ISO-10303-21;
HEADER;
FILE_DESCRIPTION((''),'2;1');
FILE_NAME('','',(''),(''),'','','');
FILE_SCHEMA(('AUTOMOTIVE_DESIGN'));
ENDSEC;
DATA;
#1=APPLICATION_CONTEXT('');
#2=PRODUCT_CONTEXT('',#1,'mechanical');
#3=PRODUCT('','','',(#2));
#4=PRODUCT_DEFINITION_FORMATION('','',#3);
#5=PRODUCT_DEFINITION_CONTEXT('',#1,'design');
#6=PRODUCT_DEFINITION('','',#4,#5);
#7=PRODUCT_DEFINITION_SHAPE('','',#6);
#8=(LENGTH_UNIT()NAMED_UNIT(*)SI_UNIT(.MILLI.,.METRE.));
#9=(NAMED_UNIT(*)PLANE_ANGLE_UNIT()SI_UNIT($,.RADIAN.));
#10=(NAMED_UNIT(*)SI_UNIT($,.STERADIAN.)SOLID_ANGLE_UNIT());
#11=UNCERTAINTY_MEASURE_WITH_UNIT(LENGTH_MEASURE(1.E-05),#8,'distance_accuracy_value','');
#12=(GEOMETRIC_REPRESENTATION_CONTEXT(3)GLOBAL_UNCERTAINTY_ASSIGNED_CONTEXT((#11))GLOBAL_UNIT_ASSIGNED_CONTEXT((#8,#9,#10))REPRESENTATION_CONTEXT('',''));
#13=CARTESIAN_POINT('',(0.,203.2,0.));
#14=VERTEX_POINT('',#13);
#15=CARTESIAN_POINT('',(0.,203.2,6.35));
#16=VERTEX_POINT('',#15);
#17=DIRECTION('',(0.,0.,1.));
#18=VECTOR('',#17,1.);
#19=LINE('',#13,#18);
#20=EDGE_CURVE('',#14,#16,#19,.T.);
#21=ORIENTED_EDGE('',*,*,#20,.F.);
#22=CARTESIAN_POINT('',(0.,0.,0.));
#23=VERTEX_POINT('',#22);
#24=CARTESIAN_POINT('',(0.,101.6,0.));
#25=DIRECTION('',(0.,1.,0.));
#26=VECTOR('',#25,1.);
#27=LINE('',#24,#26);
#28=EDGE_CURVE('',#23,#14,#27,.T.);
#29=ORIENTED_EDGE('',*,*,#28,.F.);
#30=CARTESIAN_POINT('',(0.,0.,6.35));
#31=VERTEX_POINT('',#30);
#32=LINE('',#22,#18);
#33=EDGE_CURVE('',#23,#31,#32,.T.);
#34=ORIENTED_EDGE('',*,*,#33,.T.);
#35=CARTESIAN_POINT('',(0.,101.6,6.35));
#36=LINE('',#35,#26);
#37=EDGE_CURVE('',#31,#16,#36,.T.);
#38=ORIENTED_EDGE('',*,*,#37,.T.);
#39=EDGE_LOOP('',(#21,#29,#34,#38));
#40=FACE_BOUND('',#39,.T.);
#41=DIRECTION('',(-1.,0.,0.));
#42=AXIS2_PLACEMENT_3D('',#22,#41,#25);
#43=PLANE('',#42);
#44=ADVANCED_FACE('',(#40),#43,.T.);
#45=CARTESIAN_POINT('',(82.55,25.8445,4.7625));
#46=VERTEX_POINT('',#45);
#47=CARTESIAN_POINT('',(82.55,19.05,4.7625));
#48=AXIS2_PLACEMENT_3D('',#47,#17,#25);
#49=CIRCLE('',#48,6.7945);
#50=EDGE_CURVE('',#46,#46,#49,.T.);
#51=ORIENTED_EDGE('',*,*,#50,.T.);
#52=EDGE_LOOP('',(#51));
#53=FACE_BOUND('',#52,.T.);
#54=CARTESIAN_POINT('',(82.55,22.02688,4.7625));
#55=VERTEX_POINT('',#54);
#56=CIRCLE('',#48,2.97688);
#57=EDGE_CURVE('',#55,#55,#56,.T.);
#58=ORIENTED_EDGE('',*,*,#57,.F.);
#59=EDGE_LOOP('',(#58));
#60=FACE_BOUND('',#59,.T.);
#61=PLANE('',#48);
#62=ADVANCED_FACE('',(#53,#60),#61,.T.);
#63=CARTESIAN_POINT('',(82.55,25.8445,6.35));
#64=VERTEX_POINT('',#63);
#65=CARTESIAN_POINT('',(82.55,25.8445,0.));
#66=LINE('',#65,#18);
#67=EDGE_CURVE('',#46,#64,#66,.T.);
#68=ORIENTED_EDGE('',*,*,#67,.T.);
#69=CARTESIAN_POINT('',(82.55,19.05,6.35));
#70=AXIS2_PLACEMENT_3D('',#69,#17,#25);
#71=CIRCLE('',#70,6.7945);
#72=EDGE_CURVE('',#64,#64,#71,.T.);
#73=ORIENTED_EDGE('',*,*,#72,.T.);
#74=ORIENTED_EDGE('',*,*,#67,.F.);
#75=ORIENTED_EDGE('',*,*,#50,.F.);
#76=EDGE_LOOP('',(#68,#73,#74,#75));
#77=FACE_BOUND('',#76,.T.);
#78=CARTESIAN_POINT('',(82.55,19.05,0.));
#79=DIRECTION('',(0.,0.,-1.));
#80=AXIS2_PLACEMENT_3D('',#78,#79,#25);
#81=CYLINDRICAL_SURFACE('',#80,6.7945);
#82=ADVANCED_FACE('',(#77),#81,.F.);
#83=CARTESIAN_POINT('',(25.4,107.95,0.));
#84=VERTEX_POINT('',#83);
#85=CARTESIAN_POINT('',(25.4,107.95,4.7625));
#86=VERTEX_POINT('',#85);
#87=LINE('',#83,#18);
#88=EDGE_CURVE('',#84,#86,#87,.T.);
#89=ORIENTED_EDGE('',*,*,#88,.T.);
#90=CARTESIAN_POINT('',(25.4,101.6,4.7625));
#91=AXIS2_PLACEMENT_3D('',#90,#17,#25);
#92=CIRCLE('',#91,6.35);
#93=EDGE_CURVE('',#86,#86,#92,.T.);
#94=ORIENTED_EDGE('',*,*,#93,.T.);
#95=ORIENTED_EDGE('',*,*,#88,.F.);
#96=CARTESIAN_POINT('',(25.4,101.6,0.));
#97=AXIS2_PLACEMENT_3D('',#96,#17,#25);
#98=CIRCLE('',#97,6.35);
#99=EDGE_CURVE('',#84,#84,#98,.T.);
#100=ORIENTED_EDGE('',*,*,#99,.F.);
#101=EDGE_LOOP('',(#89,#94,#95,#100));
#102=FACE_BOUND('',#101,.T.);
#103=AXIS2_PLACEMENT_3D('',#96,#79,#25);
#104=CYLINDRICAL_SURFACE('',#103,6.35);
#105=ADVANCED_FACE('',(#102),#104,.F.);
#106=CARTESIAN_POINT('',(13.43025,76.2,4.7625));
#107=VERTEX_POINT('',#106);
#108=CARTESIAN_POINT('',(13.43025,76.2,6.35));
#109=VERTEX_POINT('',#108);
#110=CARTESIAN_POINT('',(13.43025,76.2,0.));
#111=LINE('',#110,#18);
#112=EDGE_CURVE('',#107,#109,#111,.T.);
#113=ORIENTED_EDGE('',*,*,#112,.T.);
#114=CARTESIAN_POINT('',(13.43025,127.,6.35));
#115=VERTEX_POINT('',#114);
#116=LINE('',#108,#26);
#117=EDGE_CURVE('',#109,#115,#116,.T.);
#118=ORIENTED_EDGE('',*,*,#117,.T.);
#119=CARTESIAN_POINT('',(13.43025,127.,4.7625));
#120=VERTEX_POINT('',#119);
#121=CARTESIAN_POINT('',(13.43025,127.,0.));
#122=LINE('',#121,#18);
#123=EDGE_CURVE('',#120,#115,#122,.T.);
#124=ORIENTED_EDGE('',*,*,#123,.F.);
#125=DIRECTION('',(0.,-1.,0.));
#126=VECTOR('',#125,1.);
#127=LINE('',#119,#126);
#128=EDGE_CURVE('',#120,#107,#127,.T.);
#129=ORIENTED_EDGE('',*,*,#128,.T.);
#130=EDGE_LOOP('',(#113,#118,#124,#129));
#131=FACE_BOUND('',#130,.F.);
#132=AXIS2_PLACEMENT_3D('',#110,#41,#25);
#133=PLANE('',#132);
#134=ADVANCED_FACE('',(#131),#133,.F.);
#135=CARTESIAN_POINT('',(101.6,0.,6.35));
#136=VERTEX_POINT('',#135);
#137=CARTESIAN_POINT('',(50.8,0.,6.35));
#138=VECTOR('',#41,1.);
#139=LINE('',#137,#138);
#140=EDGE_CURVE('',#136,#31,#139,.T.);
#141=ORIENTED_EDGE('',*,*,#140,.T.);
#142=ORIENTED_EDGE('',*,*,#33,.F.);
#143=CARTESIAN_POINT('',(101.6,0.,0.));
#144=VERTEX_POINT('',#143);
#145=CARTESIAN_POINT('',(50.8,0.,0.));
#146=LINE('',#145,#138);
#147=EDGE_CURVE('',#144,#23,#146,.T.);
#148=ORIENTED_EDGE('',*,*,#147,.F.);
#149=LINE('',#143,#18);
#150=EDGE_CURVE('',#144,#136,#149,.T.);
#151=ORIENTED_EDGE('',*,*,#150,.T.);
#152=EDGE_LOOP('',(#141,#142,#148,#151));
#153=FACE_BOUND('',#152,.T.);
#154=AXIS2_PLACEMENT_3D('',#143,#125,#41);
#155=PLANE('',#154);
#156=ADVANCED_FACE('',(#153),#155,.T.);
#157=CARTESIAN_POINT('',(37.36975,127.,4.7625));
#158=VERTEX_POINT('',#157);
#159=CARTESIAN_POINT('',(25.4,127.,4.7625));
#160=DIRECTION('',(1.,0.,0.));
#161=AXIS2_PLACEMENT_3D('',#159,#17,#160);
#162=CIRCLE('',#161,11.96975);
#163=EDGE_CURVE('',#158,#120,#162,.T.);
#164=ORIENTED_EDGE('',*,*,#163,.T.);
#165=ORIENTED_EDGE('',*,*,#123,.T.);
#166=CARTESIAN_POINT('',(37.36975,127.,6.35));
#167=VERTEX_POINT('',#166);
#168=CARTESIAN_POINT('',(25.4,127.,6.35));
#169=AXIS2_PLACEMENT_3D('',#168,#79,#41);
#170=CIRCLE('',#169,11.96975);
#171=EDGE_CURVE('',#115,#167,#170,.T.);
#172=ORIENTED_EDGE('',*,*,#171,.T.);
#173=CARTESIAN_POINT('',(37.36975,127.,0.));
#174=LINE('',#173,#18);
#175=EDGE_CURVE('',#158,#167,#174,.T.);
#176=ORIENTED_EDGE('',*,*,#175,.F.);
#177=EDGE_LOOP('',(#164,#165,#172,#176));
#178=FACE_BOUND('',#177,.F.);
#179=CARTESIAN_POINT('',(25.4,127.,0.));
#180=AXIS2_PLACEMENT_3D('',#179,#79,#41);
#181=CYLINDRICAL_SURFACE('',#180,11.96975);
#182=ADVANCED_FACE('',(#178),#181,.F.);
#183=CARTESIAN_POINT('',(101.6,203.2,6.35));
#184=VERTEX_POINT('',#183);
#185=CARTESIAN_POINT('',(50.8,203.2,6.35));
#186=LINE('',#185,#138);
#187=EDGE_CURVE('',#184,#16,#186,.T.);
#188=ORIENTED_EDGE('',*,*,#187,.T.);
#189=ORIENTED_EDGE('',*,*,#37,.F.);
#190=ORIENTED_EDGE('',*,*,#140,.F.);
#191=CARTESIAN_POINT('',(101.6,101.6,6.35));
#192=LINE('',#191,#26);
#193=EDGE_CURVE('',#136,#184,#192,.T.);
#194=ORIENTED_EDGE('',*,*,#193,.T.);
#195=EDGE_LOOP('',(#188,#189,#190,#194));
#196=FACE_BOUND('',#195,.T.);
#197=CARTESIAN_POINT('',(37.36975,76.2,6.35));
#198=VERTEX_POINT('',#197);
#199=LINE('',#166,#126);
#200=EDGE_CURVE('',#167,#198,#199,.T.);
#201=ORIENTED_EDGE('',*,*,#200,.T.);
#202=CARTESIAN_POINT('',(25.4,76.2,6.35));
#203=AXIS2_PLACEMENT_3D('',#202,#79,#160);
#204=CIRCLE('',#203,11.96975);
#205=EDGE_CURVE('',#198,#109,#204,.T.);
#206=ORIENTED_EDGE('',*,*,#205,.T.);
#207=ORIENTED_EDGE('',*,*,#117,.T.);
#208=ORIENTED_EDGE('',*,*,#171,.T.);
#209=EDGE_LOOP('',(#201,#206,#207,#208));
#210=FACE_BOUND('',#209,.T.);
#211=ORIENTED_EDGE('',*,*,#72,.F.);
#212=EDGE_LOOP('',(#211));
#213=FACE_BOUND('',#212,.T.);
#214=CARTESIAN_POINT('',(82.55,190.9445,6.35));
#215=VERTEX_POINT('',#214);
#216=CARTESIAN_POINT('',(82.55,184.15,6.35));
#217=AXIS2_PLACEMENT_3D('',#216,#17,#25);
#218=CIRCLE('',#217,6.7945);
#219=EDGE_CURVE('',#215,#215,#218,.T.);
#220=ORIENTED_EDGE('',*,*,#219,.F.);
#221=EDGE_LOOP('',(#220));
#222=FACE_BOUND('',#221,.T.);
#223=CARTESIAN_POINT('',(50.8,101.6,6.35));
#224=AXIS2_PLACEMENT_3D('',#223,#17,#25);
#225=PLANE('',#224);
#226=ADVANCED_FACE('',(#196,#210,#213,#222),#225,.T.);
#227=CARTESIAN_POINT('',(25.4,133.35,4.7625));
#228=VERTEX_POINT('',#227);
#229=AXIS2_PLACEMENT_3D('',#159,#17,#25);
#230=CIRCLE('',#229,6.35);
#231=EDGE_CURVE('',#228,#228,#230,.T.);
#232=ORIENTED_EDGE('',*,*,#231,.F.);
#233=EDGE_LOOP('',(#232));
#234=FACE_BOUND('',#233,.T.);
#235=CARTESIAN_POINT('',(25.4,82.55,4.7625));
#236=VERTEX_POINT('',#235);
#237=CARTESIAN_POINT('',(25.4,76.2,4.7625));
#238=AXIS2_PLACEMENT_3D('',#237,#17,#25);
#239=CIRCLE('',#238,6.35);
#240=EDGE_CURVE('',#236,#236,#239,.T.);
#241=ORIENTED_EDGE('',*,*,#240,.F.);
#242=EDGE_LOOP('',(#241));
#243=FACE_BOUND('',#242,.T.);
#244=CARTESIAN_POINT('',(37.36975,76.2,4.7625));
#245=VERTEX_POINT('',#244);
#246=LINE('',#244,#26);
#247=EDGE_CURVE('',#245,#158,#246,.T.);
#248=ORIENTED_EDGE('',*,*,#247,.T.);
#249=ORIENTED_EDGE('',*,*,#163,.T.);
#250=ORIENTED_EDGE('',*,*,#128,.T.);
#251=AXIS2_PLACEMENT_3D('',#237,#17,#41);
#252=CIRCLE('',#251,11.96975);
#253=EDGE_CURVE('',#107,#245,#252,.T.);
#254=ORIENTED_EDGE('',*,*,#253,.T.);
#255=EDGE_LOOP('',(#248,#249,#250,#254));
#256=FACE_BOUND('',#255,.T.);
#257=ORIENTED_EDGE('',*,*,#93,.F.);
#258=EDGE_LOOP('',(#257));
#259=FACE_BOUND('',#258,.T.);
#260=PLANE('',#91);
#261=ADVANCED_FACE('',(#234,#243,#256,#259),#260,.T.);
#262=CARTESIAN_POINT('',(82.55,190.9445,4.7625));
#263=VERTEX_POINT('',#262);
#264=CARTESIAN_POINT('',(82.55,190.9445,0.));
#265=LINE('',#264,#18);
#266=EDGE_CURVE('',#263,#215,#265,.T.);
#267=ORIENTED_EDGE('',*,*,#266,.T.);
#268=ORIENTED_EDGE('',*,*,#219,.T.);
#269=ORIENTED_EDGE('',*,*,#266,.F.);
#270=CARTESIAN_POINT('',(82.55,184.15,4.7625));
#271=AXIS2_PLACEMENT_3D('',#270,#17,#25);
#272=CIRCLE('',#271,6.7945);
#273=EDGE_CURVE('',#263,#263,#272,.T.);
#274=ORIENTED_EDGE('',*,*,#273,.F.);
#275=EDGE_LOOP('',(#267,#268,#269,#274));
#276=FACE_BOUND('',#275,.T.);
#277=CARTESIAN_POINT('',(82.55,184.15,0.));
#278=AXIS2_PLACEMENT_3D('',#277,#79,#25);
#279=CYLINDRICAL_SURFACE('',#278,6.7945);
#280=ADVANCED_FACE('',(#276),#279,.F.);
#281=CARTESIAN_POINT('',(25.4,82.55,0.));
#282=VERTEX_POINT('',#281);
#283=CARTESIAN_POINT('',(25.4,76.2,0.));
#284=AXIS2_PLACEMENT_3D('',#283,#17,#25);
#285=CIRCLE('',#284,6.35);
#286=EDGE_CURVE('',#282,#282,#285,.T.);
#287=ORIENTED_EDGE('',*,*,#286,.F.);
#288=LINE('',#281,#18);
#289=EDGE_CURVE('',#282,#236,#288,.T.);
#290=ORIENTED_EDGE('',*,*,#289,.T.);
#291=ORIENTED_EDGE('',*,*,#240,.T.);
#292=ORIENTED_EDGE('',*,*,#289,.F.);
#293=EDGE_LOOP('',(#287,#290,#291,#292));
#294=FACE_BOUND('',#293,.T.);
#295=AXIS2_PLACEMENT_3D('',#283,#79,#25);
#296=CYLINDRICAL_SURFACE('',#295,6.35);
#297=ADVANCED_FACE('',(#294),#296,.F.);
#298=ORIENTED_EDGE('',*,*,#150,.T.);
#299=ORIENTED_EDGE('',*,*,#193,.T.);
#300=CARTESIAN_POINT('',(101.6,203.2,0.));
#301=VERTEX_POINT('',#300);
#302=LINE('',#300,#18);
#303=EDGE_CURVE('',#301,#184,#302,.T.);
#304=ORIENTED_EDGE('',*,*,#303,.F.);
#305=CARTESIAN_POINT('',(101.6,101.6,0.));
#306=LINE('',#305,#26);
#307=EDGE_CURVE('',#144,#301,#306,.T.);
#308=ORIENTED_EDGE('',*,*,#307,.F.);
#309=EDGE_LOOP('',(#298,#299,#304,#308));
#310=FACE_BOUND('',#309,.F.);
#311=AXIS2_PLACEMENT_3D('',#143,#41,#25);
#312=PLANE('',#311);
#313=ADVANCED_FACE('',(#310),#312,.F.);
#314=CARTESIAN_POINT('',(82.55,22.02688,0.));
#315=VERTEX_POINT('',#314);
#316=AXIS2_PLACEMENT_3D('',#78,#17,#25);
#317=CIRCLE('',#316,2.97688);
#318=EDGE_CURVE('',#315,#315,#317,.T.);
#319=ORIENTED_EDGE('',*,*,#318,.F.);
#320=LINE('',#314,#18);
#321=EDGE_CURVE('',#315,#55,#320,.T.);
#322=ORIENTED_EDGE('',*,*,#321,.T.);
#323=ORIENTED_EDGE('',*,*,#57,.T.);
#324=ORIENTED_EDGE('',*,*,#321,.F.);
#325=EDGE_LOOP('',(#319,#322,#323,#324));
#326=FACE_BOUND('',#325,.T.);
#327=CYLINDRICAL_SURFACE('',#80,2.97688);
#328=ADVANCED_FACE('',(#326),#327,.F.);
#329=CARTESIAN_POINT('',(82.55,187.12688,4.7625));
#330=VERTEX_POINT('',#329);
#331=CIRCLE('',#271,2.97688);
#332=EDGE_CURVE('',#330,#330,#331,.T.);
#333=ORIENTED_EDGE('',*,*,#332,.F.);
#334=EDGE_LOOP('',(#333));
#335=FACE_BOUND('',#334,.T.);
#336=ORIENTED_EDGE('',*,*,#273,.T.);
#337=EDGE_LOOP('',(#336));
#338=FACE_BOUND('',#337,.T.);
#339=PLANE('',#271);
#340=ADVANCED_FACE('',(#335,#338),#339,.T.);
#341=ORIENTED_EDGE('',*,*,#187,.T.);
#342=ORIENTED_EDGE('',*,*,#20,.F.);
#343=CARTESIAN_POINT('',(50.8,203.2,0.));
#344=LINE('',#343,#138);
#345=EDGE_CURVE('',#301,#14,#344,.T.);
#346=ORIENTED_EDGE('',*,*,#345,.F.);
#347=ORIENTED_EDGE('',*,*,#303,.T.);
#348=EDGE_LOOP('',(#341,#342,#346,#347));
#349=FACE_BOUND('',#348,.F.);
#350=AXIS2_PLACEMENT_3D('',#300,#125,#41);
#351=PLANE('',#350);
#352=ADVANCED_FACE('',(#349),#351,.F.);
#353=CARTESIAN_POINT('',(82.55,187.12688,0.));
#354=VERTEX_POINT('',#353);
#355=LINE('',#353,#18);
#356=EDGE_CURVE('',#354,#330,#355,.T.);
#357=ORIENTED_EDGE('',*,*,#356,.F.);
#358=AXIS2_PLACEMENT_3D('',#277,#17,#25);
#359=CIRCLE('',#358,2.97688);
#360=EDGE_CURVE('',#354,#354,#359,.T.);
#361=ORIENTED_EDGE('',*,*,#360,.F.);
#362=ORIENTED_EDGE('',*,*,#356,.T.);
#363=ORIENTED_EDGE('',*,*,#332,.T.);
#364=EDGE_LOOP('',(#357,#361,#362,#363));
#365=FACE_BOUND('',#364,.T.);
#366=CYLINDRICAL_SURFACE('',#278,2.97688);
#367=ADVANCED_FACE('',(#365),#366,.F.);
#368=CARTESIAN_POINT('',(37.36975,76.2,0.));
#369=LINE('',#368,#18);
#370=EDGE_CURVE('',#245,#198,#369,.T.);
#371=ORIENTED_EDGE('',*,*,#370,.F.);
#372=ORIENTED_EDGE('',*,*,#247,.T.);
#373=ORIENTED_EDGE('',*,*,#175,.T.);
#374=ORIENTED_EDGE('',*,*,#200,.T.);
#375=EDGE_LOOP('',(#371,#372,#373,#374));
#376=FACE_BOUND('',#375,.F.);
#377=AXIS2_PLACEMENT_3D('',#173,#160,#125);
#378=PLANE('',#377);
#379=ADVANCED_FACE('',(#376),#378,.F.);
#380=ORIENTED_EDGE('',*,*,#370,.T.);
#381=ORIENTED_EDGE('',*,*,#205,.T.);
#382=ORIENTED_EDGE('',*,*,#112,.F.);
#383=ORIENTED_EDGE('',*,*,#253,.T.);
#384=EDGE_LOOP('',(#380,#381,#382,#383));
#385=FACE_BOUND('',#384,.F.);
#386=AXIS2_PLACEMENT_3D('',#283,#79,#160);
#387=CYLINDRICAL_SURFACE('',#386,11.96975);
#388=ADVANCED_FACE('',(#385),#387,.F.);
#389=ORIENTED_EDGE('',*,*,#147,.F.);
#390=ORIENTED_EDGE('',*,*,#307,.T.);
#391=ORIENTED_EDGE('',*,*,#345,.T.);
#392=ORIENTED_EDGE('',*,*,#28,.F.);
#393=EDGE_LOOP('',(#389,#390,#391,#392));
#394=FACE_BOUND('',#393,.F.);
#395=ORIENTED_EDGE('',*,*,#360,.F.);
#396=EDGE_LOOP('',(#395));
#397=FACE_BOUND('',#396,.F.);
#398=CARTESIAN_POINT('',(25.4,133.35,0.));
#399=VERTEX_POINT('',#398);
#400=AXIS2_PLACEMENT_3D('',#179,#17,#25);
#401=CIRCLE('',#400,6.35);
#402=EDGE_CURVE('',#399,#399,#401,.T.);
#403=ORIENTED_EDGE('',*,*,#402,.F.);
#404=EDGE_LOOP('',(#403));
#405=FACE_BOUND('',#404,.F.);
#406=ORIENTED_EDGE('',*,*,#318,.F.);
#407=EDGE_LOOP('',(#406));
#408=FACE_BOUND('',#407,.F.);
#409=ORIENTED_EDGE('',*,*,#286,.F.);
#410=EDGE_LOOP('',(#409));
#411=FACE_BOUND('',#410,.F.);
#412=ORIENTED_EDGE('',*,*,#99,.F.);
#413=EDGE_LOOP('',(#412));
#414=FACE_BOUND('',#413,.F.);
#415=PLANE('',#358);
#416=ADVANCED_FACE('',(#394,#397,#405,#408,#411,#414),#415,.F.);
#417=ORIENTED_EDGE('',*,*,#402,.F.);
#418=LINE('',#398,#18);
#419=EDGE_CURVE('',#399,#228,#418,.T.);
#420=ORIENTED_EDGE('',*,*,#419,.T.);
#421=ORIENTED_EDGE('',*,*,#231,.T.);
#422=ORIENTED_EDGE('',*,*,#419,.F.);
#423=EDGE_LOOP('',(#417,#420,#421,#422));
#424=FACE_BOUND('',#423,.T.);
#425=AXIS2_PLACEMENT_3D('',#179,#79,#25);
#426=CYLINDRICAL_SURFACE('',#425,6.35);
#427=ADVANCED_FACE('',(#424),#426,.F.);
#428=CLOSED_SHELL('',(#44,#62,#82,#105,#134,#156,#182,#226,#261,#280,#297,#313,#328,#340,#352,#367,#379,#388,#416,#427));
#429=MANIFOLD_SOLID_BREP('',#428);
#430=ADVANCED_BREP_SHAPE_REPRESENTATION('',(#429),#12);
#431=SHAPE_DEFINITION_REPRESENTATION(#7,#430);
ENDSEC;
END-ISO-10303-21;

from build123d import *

# Parameters (mm, degrees)
F0_R     = 6.35
F1_DEPTH = 4.7625
F0_W     = 203.2
F0_H     = 101.6
F0_R_2   = 6.7945
F2_DEPTH = 6.35
F0_R_3   = 2.97688
F3_DEPTH = 4.7625
F4_DEPTH = 4.7625
F5_ANGLE = 270


with BuildPart() as f1:
    # F0 (on Top) → F1 (new body)
    with BuildSketch(Plane.XY):
        with BuildLine():
            Line((127, 88.16975), (76.2, 88.16975))
            ThreePointArc((76.2, 88.16975), (64.23025, 76.2), (76.2, 64.23025))
            Line((76.2, 64.23025), (127, 64.23025))
            ThreePointArc((127, 64.23025), (138.96975, 76.2), (127, 88.16975))
        make_face()
        with Locations((76.2, 76.2)):
            Circle(F0_R, mode=Mode.SUBTRACT)
        with Locations((101.6, 76.2)):
            Circle(F0_R, mode=Mode.SUBTRACT)
        with Locations((127, 76.2)):
            Circle(F0_R, mode=Mode.SUBTRACT)
    extrude(amount=F1_DEPTH)

    # F0 (on Top) → F2 (join)
    with BuildSketch(Plane.XY):
        with Locations((101.6, 50.8)):
            Rectangle(F0_W, F0_H)
        with Locations((19.05, 19.05)):
            Circle(F0_R_2, mode=Mode.SUBTRACT)
        with Locations((184.15, 19.05)):
            Circle(F0_R_2, mode=Mode.SUBTRACT)
        with BuildLine():
            ThreePointArc((76.2, 64.23025), (64.23025, 76.2), (76.2, 88.16975))
            Line((76.2, 88.16975), (127, 88.16975))
            ThreePointArc((127, 88.16975), (138.96975, 76.2), (127, 64.23025))
            Line((127, 64.23025), (76.2, 64.23025))
        make_face(mode=Mode.SUBTRACT)
    extrude(amount=F2_DEPTH)

    # F0 (on Top) → F3 (join)
    with BuildSketch(Plane.XY):
        with Locations((19.05, 19.05)):
            Circle(F0_R_2)
        with Locations((19.05, 19.05)):
            Circle(F0_R_3, mode=Mode.SUBTRACT)
    extrude(amount=F3_DEPTH)

    # F0 (on Top) → F4 (join)
    with BuildSketch(Plane.XY):
        with Locations((184.15, 19.05)):
            Circle(F0_R_2)
        with Locations((184.15, 19.05)):
            Circle(F0_R_3, mode=Mode.SUBTRACT)
    extrude(amount=F4_DEPTH)


with BuildPart() as f1_1:
    # F5: moved
    add(f1.part.rotate(Axis((0, 0, 3.175), (0, 0, -1)), F5_ANGLE))


with BuildPart() as f1_2:
    # F6: moved
    add(f1_1.part.moved(Location((101.6, 0, 0))))


solid = f1_2.part
